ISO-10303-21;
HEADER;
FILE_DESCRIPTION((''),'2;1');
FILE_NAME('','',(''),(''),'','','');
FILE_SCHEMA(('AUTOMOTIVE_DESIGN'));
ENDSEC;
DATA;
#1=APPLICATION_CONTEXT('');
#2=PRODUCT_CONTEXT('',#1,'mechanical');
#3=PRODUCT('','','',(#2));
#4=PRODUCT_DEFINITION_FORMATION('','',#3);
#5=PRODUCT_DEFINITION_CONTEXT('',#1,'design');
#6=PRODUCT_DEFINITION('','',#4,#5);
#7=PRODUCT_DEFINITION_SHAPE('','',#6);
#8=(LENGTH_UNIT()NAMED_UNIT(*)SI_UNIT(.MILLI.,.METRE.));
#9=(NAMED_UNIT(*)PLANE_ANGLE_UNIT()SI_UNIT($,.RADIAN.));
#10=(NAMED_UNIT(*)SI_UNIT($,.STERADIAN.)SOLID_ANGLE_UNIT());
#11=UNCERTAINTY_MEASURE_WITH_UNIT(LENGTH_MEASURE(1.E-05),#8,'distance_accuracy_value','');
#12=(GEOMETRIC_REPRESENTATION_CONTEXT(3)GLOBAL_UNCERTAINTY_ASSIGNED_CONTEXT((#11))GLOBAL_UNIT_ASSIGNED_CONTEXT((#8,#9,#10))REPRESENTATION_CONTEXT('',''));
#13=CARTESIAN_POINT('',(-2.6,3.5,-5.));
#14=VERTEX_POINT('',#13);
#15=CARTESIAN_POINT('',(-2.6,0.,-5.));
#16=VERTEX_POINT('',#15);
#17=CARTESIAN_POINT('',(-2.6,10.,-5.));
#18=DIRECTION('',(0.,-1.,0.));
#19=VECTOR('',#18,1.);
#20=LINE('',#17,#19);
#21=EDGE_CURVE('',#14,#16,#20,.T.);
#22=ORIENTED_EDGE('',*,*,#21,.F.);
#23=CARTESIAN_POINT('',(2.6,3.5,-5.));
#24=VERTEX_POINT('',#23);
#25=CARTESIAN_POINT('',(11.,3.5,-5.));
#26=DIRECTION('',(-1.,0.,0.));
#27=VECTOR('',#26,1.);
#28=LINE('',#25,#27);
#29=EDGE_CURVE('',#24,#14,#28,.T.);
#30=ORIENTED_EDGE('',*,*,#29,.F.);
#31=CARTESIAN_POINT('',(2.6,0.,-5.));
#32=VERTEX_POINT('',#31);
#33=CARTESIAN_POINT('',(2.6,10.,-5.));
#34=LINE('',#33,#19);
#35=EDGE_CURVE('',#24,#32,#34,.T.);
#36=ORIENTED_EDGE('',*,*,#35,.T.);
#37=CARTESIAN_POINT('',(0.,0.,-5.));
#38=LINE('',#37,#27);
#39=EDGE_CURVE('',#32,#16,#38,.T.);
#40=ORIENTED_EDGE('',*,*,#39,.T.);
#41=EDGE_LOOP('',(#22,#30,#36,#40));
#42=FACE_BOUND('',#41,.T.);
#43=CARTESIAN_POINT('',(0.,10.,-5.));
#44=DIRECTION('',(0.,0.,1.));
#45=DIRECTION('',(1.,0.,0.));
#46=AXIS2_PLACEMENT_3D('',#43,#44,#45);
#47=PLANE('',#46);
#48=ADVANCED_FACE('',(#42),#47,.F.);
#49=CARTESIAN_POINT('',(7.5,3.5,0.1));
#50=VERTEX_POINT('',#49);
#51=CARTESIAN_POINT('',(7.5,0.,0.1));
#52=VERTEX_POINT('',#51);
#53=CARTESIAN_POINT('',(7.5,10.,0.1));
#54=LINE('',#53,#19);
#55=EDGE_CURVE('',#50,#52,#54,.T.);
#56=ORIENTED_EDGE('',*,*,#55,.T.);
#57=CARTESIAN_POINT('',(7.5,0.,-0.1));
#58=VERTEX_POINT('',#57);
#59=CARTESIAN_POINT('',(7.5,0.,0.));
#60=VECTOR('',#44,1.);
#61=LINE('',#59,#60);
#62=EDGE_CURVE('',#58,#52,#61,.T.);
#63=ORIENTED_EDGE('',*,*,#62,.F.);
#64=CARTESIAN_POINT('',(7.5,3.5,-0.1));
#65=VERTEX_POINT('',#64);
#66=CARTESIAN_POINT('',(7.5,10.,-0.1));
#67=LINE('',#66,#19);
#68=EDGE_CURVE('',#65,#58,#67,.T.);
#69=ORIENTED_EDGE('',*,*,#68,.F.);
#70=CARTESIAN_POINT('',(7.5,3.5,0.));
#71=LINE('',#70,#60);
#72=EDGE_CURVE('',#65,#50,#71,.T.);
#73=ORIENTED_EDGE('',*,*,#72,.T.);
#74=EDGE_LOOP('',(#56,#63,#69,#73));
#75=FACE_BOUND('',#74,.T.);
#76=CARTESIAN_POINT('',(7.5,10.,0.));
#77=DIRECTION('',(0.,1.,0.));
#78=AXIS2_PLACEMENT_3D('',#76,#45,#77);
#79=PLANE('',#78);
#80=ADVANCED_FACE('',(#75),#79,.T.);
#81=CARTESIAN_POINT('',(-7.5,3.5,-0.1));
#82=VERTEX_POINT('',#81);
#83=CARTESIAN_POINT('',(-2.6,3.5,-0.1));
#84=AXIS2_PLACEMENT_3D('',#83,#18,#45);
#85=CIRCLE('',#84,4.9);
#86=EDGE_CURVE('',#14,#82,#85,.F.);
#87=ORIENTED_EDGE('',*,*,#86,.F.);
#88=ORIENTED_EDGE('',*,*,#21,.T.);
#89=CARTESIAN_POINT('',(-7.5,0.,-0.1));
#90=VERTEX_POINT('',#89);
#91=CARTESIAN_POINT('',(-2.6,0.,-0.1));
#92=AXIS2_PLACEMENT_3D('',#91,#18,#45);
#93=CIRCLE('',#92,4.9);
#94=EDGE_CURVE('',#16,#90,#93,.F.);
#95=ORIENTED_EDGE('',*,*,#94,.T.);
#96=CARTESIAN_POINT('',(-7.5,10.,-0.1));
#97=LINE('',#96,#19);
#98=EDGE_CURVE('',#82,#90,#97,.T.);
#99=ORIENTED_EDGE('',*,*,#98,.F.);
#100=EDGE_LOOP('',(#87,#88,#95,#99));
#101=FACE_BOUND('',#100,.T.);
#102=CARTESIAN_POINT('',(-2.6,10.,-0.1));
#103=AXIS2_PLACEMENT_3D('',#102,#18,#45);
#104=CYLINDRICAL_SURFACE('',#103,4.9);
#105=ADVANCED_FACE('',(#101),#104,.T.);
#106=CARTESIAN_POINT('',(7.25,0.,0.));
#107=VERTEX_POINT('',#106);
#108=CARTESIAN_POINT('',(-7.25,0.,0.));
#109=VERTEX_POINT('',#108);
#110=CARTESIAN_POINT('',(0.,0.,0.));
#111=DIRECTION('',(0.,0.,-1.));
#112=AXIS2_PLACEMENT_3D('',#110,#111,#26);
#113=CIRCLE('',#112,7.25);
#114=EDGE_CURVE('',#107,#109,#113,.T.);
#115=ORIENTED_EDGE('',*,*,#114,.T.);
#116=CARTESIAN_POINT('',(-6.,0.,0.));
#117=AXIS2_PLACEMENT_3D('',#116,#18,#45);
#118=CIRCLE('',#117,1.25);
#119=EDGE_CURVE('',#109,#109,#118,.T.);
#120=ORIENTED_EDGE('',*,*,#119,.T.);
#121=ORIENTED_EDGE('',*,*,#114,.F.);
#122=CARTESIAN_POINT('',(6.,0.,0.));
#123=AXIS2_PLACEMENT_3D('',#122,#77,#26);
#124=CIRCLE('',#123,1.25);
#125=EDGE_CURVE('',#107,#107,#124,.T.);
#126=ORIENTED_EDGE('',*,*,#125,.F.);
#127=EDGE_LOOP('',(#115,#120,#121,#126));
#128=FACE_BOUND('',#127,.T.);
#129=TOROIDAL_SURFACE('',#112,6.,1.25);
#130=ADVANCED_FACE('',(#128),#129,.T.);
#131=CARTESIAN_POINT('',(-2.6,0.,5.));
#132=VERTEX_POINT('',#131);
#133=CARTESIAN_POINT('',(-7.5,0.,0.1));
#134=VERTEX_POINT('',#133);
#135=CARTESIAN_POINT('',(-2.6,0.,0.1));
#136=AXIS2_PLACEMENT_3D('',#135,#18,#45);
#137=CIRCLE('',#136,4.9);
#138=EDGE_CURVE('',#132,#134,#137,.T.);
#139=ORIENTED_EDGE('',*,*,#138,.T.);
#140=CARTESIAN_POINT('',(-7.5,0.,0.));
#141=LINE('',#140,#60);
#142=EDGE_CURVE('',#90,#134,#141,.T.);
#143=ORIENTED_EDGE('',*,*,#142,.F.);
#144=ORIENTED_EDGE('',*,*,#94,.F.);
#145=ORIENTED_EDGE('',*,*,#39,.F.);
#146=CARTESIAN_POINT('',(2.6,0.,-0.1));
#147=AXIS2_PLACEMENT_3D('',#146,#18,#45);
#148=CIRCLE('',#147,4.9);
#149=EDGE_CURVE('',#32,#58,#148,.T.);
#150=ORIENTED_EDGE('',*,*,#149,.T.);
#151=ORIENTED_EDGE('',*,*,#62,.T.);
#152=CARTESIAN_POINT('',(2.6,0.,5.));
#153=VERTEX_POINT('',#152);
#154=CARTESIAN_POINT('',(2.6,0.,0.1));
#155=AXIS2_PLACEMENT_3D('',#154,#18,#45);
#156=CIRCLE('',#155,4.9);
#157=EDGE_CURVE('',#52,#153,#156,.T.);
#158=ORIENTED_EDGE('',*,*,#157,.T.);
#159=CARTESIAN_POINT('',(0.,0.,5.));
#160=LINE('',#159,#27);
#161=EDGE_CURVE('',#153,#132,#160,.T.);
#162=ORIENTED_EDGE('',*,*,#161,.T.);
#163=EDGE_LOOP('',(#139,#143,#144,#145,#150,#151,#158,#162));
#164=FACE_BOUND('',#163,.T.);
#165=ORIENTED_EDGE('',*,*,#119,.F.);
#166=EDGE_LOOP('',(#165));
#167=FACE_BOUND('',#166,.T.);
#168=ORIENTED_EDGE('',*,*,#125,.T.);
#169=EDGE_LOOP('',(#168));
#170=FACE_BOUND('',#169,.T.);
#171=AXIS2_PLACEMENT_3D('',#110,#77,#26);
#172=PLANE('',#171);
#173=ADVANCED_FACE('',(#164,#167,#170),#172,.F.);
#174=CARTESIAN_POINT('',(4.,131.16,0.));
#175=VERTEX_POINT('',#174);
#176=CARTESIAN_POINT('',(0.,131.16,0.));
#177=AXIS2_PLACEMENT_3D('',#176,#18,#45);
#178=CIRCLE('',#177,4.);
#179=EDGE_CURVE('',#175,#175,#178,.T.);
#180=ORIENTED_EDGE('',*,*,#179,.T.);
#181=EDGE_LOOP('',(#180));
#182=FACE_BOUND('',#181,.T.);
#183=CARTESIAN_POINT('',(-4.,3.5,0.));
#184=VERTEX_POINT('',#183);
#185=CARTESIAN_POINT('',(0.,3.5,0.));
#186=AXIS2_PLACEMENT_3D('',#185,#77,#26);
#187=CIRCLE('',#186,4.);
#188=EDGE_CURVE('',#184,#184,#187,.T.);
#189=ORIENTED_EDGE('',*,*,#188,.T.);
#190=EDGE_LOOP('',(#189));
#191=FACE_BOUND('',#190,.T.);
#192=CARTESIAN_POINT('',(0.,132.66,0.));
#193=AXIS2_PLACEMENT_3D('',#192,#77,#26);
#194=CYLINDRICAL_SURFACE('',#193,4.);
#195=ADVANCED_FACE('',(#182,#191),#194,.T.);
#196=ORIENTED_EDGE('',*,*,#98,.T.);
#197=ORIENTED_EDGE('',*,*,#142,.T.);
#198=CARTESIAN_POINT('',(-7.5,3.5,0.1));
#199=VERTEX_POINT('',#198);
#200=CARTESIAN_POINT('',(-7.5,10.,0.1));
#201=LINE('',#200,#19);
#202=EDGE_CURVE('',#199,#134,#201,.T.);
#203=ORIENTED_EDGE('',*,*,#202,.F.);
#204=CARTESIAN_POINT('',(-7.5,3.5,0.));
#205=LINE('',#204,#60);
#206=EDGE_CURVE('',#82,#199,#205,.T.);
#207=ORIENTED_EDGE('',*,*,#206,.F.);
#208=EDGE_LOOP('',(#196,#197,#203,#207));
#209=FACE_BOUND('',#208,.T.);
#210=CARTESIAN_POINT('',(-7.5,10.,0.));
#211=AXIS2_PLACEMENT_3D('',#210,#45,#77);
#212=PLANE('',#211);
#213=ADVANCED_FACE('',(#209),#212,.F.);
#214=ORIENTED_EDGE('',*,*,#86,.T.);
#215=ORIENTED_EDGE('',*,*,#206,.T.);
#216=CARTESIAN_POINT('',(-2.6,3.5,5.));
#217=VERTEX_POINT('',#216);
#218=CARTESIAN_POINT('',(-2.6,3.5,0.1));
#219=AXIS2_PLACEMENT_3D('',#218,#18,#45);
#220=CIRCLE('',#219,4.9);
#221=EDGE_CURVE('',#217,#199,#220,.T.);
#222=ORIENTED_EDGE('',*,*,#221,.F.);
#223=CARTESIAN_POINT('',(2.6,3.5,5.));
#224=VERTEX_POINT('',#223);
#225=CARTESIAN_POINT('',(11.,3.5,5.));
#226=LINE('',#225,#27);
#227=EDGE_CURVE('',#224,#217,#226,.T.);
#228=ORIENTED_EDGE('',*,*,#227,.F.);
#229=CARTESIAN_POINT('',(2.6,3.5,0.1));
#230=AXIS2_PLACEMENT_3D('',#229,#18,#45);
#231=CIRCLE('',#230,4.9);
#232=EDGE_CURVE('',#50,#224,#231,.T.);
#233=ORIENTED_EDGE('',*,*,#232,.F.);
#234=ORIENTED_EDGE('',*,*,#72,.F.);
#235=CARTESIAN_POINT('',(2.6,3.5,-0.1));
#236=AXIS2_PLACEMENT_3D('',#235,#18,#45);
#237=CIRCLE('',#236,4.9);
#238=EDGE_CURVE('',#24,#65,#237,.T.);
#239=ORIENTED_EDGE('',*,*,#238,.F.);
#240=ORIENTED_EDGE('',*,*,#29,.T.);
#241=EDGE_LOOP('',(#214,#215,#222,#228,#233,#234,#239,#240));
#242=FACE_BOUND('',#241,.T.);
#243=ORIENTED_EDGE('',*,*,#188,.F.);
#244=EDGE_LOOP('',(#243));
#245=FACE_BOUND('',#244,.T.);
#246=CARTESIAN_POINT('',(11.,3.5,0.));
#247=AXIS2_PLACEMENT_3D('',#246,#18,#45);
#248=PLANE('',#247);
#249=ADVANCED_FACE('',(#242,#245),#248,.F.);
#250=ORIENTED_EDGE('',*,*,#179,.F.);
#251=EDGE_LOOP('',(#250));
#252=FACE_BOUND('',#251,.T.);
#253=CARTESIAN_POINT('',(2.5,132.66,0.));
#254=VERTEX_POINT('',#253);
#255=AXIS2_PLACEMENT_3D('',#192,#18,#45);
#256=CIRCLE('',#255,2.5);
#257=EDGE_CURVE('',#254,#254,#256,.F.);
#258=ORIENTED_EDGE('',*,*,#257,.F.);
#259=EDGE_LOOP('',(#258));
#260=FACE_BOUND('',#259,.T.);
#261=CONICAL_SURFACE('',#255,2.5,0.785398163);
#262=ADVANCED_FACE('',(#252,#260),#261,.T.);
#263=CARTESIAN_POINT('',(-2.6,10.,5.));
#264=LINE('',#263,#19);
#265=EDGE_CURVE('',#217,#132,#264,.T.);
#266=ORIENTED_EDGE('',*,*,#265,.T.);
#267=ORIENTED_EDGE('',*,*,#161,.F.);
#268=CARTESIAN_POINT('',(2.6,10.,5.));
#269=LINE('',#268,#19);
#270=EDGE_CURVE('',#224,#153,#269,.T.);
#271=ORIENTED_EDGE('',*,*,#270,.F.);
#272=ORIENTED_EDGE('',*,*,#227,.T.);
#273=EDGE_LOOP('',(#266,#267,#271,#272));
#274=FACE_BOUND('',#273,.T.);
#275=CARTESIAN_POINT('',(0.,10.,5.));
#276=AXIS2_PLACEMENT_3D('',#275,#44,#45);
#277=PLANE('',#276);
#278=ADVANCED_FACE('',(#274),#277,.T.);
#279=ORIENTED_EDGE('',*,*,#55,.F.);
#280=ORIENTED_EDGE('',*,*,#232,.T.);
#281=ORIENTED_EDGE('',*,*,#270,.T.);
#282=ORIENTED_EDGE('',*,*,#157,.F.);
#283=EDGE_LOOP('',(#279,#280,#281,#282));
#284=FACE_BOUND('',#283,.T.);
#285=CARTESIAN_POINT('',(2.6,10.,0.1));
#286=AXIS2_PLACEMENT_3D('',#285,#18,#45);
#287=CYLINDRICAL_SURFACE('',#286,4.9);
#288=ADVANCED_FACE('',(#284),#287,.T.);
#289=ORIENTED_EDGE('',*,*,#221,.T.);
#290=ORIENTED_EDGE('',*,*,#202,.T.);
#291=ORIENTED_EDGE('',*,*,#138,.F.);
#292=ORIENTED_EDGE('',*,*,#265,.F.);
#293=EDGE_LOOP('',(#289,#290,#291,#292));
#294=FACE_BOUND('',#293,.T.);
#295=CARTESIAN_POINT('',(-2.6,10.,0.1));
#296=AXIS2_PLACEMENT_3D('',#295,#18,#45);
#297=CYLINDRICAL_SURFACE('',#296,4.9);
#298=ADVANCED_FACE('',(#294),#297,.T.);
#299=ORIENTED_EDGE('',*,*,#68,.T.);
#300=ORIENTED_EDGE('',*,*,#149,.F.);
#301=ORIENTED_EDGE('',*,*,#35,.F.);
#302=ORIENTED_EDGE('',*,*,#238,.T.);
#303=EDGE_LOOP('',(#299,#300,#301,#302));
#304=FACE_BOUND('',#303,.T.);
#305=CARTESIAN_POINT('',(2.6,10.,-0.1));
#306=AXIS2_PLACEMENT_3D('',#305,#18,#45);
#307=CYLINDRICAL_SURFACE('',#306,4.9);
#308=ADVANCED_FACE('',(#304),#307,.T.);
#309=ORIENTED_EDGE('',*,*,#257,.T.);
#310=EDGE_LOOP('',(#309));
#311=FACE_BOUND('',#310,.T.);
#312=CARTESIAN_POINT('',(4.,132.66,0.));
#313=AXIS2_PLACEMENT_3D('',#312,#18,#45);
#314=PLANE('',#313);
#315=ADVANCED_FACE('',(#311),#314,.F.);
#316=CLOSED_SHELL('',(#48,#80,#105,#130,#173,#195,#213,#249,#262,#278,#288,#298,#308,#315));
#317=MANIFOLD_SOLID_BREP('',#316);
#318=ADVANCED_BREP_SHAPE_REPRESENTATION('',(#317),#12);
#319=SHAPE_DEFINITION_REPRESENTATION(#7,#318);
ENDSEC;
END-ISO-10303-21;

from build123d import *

# Parameters (mm, degrees)
ESBO_O2_R             = 11
CORTE_EXTRUS_O1_DEPTH = 10
ESBO_O7_R             = 1.25
CHANFRO1_SIZE         = 1.5


with BuildPart() as part:
    # Esboço1 → Revolução1 (revolve)
    with BuildSketch(Plane.XY):
        Polygon((0, 0), (11, 0), (11, 3.5), (4, 3.5), (4, 132.66), (0, 132.66), align=None)
    revolve(axis=Axis((0, 132.66, 0), (0, -1, 0)))

    # Esboço2 → Corte-extrusão1 (cut)
    with BuildSketch(Plane.XZ):
        Circle(ESBO_O2_R)
        with BuildLine():
            ThreePointArc((7.5, -0.1), (6.064823228, -3.564823228), (2.6, -5))
            Line((2.6, -5), (-2.6, -5))
            ThreePointArc((-2.6, -5), (-6.064823228, -3.564823228), (-7.5, -0.1))
            Line((-7.5, -0.1), (-7.5, 0.1))
            ThreePointArc((-7.5, 0.1), (-6.064823228, 3.564823228), (-2.6, 5))
            Line((-2.6, 5), (2.6, 5))
            ThreePointArc((2.6, 5), (6.064823228, 3.564823228), (7.5, 0.1))
            Line((7.5, 0.1), (7.5, -0.1))
        make_face(mode=Mode.SUBTRACT)
    extrude(amount=-CORTE_EXTRUS_O1_DEPTH, mode=Mode.SUBTRACT)

    # Varredura1: sweep along a path in Esboço9
    with BuildLine(Plane.XY) as varredura1_path:
        ThreePointArc((-6, 0), (0, -6), (6, 0))
    # Esboço7 → Varredura1 (sweep)
    with BuildSketch(Plane(origin=(0, 0, 0), x_dir=(-1, 0, 0), z_dir=(0, -1, 0))):
        with Locations((6, 0)):
            Circle(ESBO_O7_R)
    sweep(path=varredura1_path.line)

    # Chanfro1
    chanfro1_edges = [part.edges().sort_by_distance(p)[0] for p in [
        (-4, 132.66, 0),
    ]]
    chamfer(chanfro1_edges, length=CHANFRO1_SIZE)


solid = part.part
